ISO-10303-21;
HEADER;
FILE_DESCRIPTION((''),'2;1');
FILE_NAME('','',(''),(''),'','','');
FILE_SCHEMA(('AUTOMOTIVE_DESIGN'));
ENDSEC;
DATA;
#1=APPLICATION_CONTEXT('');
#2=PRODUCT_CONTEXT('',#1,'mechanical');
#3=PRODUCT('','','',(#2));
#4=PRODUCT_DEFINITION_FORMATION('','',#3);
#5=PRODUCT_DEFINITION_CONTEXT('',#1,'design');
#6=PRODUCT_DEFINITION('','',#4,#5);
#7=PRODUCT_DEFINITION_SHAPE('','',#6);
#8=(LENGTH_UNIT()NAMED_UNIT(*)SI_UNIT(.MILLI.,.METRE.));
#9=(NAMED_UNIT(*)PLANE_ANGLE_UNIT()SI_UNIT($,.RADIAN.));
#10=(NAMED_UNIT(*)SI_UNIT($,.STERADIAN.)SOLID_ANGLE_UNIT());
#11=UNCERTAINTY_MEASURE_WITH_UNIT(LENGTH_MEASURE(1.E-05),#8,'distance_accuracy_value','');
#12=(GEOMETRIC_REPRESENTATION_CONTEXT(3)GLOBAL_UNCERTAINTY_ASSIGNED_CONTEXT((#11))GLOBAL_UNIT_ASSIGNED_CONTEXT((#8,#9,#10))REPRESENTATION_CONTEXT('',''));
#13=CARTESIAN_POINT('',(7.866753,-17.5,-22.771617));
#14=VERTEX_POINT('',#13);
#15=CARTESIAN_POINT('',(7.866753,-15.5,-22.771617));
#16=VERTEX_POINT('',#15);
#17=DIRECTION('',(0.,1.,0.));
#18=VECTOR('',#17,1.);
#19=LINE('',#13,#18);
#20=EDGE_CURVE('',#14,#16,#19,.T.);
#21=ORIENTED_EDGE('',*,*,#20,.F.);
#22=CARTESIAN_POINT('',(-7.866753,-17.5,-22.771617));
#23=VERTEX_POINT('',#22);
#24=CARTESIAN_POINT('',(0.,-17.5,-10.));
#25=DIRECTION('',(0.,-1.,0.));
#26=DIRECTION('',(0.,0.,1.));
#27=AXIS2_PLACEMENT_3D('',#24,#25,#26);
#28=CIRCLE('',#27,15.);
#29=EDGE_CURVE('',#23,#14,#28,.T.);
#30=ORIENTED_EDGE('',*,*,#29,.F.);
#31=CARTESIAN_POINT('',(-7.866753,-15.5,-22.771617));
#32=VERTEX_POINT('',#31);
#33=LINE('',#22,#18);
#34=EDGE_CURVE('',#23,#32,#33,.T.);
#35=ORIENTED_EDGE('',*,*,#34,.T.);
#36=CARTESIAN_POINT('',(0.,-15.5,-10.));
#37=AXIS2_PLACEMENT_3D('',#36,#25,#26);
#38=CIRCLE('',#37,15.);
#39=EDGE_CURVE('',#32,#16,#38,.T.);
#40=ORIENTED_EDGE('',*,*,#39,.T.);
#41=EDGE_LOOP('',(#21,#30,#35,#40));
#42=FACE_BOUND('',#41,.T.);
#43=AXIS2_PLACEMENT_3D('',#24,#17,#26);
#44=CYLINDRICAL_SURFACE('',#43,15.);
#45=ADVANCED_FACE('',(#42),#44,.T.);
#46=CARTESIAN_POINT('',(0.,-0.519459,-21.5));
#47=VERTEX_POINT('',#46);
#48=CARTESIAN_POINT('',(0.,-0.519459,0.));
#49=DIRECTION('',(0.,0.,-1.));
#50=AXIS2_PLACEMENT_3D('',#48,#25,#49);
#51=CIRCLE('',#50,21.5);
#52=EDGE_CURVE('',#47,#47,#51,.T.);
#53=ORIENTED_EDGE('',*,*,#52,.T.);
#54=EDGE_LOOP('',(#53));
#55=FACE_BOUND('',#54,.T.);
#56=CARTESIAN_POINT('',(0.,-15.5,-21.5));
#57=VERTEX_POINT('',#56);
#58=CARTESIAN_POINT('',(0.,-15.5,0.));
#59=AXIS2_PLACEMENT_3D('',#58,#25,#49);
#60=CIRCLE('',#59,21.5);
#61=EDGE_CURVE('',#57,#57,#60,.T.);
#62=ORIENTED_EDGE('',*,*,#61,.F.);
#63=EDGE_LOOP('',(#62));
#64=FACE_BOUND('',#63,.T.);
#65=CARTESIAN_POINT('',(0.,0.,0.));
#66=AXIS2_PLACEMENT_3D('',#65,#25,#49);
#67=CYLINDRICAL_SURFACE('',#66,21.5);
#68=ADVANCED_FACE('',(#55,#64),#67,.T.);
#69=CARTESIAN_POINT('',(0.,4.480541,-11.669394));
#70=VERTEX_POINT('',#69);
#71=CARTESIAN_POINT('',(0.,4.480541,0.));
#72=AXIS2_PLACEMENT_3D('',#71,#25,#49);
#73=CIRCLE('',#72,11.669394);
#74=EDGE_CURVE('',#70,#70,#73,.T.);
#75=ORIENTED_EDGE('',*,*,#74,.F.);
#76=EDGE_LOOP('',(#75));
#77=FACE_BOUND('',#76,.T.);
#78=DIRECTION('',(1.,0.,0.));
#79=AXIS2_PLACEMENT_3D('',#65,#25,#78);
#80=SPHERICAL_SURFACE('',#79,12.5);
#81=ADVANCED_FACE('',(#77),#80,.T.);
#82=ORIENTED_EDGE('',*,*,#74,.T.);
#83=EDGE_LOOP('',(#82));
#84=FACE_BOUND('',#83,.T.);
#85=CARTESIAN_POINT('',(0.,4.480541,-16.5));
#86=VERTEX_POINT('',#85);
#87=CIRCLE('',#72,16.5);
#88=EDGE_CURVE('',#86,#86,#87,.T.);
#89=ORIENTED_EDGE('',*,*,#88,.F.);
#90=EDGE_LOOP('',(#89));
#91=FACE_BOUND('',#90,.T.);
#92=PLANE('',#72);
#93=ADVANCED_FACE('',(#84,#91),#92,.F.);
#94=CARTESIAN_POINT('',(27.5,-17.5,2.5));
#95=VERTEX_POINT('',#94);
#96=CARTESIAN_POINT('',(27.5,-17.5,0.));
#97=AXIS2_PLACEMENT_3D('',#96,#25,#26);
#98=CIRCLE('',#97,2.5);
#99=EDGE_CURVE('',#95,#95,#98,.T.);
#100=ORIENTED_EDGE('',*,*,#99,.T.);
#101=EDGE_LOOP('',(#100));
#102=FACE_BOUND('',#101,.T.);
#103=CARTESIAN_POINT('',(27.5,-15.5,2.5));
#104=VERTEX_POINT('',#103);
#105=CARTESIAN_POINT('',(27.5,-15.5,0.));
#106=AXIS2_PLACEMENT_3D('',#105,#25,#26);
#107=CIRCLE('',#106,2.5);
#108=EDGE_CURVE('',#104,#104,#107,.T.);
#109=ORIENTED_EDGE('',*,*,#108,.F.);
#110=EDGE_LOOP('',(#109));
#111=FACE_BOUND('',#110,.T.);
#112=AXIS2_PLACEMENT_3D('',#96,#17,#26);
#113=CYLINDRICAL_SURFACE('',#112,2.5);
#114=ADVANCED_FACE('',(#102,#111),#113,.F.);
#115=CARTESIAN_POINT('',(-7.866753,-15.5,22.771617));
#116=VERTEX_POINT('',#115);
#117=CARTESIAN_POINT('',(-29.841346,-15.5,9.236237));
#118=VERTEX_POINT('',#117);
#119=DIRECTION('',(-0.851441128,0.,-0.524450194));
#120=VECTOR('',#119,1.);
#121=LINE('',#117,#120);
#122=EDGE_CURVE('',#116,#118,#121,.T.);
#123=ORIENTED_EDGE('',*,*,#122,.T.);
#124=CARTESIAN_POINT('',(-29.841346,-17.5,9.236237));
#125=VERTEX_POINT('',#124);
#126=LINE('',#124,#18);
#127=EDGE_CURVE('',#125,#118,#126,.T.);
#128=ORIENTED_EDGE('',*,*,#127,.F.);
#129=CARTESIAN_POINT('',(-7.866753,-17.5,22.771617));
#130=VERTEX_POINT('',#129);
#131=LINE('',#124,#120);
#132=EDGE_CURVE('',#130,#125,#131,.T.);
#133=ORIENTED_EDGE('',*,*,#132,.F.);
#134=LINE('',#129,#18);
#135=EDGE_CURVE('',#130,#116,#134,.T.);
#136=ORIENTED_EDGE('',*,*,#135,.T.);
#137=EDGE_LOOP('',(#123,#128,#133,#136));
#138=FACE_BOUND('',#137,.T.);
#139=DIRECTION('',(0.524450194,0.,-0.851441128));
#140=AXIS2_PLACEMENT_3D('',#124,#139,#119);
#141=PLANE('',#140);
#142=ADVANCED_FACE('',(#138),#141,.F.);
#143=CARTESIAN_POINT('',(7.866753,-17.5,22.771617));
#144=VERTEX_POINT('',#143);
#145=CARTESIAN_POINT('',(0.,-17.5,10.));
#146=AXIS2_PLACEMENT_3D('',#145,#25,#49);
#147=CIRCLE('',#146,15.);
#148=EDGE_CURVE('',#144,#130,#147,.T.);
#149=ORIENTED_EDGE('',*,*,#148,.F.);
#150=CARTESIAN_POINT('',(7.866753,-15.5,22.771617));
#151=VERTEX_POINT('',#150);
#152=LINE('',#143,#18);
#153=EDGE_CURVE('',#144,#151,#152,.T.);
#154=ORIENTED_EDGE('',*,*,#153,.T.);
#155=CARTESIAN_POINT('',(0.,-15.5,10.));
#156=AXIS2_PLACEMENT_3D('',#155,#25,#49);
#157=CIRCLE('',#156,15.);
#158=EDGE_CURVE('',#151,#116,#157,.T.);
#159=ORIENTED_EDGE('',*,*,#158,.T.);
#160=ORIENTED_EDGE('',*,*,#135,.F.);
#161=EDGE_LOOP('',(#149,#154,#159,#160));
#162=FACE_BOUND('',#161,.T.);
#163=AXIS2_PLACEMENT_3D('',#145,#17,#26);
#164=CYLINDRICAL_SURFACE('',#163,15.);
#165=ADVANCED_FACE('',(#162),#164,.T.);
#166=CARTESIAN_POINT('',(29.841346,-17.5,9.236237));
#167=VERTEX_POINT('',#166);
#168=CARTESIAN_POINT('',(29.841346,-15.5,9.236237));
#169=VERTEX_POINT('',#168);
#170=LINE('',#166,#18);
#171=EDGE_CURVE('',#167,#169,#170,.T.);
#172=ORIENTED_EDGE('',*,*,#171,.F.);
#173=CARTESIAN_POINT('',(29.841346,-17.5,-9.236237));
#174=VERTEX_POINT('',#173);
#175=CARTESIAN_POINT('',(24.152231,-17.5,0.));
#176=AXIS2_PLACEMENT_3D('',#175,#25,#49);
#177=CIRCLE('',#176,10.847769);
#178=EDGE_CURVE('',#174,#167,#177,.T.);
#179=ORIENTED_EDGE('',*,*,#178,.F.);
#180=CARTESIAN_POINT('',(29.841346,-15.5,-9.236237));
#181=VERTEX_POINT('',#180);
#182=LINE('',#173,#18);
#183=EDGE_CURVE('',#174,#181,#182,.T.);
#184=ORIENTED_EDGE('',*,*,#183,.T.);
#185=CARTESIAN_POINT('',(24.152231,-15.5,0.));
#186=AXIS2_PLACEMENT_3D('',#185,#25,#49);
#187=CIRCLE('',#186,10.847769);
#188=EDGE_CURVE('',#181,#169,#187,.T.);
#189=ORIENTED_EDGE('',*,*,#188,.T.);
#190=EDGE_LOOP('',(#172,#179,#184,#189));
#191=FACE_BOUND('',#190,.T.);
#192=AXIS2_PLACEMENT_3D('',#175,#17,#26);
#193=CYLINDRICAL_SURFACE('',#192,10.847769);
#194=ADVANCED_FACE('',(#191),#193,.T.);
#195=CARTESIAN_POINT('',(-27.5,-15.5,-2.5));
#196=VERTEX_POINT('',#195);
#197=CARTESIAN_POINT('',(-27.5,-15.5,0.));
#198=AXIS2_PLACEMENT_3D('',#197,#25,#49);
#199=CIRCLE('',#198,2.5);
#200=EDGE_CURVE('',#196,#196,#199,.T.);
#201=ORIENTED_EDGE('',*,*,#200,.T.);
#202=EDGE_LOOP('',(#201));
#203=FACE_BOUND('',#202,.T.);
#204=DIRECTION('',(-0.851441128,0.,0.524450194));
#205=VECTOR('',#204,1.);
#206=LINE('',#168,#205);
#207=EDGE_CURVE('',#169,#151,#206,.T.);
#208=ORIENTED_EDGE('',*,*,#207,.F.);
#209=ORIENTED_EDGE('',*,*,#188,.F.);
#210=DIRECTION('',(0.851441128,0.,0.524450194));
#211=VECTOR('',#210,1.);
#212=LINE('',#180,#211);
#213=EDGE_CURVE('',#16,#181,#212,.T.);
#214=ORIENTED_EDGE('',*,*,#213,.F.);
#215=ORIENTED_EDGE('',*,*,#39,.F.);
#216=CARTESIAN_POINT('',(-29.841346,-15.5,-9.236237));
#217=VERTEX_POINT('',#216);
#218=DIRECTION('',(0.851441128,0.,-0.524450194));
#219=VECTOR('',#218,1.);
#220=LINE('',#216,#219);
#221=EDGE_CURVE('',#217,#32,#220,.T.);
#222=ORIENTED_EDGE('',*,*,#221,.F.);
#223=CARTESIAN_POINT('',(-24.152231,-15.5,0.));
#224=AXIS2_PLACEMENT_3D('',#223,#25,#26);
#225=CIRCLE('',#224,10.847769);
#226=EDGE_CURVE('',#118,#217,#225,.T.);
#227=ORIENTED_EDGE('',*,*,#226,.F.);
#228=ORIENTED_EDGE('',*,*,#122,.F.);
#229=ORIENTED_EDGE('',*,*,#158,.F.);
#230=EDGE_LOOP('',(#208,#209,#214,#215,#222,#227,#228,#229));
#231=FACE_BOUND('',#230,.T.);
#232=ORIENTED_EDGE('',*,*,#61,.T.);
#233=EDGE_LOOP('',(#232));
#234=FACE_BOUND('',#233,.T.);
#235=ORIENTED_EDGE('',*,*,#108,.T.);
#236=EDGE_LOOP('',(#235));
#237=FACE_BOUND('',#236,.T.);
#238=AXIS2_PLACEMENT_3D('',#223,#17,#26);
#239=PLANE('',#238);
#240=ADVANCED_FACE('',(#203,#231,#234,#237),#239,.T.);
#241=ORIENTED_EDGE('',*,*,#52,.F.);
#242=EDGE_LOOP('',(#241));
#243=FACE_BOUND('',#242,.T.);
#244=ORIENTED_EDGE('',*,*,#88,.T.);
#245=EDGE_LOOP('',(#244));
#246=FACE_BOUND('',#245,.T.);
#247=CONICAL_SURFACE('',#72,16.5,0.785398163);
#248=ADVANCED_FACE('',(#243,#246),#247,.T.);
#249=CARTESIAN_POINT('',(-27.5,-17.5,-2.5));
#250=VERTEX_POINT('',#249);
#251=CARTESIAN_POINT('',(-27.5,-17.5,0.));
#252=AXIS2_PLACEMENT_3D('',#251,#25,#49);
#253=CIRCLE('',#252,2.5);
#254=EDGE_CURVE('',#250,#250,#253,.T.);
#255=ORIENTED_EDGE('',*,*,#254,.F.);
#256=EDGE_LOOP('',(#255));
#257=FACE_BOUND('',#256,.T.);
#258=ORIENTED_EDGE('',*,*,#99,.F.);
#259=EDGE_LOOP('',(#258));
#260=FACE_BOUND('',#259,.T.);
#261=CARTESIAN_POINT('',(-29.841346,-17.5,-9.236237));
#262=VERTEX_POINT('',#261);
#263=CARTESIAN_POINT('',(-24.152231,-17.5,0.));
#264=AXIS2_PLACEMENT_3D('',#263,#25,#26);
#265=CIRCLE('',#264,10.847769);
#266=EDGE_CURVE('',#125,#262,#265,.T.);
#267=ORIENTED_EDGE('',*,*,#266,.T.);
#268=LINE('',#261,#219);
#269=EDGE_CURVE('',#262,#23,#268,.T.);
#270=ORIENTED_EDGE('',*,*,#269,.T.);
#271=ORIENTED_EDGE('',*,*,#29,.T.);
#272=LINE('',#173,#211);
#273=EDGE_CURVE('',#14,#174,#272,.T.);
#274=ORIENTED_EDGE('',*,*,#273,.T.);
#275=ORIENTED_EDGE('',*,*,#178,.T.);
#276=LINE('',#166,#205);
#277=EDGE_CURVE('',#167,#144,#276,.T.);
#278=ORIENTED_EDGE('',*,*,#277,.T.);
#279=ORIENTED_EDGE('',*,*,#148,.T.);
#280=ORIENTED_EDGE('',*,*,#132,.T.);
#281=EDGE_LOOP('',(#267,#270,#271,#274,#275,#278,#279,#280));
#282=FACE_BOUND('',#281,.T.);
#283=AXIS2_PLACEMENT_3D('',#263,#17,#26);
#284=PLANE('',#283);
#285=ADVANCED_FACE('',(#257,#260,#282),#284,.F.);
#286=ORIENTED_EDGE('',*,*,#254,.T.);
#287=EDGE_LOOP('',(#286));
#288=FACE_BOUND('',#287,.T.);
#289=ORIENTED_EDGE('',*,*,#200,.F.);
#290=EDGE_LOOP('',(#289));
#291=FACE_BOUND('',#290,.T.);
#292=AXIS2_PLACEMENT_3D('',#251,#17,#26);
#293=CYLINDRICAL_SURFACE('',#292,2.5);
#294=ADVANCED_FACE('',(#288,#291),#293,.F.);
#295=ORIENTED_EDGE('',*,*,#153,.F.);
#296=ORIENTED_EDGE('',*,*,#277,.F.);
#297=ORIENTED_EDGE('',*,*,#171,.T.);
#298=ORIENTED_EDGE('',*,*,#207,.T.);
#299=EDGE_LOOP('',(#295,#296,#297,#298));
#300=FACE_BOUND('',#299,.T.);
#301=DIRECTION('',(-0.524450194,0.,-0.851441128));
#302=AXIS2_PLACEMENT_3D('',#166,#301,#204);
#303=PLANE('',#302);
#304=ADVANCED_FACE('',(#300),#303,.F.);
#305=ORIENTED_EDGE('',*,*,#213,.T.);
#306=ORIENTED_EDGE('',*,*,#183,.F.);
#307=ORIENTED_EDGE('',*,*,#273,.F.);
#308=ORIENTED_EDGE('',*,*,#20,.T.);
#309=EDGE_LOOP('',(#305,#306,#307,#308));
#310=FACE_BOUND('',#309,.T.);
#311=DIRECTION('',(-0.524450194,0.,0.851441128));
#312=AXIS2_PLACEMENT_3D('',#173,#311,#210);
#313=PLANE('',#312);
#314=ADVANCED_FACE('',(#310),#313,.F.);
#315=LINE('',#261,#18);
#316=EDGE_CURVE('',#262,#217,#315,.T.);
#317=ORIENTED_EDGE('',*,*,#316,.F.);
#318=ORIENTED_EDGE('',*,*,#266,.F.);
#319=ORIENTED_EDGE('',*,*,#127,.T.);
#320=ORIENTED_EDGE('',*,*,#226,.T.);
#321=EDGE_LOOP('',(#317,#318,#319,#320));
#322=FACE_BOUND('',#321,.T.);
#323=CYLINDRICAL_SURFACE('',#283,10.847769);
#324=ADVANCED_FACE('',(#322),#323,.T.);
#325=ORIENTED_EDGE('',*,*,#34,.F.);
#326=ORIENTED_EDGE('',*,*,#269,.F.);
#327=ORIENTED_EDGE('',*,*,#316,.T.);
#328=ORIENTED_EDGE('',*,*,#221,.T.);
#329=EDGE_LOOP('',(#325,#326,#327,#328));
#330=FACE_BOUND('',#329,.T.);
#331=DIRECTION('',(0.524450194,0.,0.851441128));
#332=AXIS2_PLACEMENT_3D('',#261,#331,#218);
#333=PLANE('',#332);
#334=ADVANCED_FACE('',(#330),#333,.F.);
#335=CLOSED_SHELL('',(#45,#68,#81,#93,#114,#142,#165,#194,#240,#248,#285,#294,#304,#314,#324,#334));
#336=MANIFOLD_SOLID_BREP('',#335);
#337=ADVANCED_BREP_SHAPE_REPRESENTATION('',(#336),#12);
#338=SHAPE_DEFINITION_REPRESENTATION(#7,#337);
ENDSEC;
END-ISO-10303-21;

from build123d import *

# Parameters (mm, degrees)
SKETCH_2_R      = 2.5
EXTRUDE_1_DEPTH = 2


with BuildPart() as part:
    # 草图1 → 旋转2 (revolve)
    with BuildSketch(Plane.XY, mode=Mode.PRIVATE) as revolve_2_sk:
        with BuildLine():
            ThreePointArc((0, 12.5), (-7.079662177, 10.301863107), (-11.669393693, 4.480541354))
            Line((-11.669393693, 4.480541354), (-16.5, 4.480541354))
            Line((-16.5, 4.480541354), (-21.5, -0.519458646))
            Line((-21.5, -0.519458646), (-21.5, -15.5))
            Line((-21.5, -15.5), (0, -15.5))
            Line((0, -15.5), (0, 12.5))
        make_face()
    revolve(revolve_2_sk.sketch.rotate(Axis((0, 0, 0), (0, 1, 0)), 270), axis=Axis((0, 0, 0), (0, 1, 0)))

    # 草图2 → 凸台-拉伸1 (add)
    with BuildSketch(Plane.XZ.offset(15.5)):
        with BuildLine():
            Line((-29.841345501, 9.236236767), (-7.866752906, 22.771616919))
            ThreePointArc((-7.866752906, 22.771616919), (0, 25), (7.866752906, 22.771616919))
            Line((7.866752906, 22.771616919), (29.841345501, 9.236236767))
            ThreePointArc((29.841345501, 9.236236767), (35, 0), (29.841345501, -9.236236767))
            Line((29.841345501, -9.236236767), (7.866752906, -22.771616919))
            ThreePointArc((7.866752906, -22.771616919), (0, -25), (-7.866752906, -22.771616919))
            Line((-7.866752906, -22.771616919), (-29.841345501, -9.236236767))
            ThreePointArc((-29.841345501, -9.236236767), (-35, 0), (-29.841345501, 9.236236767))
        make_face()
        with Locations(Location((-27.5, 0, 0), (0, 0, 270))):
            Circle(SKETCH_2_R, mode=Mode.SUBTRACT)
        with Locations(Location((27.5, 0, 0), (0, 0, 90))):
            Circle(SKETCH_2_R, mode=Mode.SUBTRACT)
    extrude(amount=EXTRUDE_1_DEPTH)


solid = part.part
